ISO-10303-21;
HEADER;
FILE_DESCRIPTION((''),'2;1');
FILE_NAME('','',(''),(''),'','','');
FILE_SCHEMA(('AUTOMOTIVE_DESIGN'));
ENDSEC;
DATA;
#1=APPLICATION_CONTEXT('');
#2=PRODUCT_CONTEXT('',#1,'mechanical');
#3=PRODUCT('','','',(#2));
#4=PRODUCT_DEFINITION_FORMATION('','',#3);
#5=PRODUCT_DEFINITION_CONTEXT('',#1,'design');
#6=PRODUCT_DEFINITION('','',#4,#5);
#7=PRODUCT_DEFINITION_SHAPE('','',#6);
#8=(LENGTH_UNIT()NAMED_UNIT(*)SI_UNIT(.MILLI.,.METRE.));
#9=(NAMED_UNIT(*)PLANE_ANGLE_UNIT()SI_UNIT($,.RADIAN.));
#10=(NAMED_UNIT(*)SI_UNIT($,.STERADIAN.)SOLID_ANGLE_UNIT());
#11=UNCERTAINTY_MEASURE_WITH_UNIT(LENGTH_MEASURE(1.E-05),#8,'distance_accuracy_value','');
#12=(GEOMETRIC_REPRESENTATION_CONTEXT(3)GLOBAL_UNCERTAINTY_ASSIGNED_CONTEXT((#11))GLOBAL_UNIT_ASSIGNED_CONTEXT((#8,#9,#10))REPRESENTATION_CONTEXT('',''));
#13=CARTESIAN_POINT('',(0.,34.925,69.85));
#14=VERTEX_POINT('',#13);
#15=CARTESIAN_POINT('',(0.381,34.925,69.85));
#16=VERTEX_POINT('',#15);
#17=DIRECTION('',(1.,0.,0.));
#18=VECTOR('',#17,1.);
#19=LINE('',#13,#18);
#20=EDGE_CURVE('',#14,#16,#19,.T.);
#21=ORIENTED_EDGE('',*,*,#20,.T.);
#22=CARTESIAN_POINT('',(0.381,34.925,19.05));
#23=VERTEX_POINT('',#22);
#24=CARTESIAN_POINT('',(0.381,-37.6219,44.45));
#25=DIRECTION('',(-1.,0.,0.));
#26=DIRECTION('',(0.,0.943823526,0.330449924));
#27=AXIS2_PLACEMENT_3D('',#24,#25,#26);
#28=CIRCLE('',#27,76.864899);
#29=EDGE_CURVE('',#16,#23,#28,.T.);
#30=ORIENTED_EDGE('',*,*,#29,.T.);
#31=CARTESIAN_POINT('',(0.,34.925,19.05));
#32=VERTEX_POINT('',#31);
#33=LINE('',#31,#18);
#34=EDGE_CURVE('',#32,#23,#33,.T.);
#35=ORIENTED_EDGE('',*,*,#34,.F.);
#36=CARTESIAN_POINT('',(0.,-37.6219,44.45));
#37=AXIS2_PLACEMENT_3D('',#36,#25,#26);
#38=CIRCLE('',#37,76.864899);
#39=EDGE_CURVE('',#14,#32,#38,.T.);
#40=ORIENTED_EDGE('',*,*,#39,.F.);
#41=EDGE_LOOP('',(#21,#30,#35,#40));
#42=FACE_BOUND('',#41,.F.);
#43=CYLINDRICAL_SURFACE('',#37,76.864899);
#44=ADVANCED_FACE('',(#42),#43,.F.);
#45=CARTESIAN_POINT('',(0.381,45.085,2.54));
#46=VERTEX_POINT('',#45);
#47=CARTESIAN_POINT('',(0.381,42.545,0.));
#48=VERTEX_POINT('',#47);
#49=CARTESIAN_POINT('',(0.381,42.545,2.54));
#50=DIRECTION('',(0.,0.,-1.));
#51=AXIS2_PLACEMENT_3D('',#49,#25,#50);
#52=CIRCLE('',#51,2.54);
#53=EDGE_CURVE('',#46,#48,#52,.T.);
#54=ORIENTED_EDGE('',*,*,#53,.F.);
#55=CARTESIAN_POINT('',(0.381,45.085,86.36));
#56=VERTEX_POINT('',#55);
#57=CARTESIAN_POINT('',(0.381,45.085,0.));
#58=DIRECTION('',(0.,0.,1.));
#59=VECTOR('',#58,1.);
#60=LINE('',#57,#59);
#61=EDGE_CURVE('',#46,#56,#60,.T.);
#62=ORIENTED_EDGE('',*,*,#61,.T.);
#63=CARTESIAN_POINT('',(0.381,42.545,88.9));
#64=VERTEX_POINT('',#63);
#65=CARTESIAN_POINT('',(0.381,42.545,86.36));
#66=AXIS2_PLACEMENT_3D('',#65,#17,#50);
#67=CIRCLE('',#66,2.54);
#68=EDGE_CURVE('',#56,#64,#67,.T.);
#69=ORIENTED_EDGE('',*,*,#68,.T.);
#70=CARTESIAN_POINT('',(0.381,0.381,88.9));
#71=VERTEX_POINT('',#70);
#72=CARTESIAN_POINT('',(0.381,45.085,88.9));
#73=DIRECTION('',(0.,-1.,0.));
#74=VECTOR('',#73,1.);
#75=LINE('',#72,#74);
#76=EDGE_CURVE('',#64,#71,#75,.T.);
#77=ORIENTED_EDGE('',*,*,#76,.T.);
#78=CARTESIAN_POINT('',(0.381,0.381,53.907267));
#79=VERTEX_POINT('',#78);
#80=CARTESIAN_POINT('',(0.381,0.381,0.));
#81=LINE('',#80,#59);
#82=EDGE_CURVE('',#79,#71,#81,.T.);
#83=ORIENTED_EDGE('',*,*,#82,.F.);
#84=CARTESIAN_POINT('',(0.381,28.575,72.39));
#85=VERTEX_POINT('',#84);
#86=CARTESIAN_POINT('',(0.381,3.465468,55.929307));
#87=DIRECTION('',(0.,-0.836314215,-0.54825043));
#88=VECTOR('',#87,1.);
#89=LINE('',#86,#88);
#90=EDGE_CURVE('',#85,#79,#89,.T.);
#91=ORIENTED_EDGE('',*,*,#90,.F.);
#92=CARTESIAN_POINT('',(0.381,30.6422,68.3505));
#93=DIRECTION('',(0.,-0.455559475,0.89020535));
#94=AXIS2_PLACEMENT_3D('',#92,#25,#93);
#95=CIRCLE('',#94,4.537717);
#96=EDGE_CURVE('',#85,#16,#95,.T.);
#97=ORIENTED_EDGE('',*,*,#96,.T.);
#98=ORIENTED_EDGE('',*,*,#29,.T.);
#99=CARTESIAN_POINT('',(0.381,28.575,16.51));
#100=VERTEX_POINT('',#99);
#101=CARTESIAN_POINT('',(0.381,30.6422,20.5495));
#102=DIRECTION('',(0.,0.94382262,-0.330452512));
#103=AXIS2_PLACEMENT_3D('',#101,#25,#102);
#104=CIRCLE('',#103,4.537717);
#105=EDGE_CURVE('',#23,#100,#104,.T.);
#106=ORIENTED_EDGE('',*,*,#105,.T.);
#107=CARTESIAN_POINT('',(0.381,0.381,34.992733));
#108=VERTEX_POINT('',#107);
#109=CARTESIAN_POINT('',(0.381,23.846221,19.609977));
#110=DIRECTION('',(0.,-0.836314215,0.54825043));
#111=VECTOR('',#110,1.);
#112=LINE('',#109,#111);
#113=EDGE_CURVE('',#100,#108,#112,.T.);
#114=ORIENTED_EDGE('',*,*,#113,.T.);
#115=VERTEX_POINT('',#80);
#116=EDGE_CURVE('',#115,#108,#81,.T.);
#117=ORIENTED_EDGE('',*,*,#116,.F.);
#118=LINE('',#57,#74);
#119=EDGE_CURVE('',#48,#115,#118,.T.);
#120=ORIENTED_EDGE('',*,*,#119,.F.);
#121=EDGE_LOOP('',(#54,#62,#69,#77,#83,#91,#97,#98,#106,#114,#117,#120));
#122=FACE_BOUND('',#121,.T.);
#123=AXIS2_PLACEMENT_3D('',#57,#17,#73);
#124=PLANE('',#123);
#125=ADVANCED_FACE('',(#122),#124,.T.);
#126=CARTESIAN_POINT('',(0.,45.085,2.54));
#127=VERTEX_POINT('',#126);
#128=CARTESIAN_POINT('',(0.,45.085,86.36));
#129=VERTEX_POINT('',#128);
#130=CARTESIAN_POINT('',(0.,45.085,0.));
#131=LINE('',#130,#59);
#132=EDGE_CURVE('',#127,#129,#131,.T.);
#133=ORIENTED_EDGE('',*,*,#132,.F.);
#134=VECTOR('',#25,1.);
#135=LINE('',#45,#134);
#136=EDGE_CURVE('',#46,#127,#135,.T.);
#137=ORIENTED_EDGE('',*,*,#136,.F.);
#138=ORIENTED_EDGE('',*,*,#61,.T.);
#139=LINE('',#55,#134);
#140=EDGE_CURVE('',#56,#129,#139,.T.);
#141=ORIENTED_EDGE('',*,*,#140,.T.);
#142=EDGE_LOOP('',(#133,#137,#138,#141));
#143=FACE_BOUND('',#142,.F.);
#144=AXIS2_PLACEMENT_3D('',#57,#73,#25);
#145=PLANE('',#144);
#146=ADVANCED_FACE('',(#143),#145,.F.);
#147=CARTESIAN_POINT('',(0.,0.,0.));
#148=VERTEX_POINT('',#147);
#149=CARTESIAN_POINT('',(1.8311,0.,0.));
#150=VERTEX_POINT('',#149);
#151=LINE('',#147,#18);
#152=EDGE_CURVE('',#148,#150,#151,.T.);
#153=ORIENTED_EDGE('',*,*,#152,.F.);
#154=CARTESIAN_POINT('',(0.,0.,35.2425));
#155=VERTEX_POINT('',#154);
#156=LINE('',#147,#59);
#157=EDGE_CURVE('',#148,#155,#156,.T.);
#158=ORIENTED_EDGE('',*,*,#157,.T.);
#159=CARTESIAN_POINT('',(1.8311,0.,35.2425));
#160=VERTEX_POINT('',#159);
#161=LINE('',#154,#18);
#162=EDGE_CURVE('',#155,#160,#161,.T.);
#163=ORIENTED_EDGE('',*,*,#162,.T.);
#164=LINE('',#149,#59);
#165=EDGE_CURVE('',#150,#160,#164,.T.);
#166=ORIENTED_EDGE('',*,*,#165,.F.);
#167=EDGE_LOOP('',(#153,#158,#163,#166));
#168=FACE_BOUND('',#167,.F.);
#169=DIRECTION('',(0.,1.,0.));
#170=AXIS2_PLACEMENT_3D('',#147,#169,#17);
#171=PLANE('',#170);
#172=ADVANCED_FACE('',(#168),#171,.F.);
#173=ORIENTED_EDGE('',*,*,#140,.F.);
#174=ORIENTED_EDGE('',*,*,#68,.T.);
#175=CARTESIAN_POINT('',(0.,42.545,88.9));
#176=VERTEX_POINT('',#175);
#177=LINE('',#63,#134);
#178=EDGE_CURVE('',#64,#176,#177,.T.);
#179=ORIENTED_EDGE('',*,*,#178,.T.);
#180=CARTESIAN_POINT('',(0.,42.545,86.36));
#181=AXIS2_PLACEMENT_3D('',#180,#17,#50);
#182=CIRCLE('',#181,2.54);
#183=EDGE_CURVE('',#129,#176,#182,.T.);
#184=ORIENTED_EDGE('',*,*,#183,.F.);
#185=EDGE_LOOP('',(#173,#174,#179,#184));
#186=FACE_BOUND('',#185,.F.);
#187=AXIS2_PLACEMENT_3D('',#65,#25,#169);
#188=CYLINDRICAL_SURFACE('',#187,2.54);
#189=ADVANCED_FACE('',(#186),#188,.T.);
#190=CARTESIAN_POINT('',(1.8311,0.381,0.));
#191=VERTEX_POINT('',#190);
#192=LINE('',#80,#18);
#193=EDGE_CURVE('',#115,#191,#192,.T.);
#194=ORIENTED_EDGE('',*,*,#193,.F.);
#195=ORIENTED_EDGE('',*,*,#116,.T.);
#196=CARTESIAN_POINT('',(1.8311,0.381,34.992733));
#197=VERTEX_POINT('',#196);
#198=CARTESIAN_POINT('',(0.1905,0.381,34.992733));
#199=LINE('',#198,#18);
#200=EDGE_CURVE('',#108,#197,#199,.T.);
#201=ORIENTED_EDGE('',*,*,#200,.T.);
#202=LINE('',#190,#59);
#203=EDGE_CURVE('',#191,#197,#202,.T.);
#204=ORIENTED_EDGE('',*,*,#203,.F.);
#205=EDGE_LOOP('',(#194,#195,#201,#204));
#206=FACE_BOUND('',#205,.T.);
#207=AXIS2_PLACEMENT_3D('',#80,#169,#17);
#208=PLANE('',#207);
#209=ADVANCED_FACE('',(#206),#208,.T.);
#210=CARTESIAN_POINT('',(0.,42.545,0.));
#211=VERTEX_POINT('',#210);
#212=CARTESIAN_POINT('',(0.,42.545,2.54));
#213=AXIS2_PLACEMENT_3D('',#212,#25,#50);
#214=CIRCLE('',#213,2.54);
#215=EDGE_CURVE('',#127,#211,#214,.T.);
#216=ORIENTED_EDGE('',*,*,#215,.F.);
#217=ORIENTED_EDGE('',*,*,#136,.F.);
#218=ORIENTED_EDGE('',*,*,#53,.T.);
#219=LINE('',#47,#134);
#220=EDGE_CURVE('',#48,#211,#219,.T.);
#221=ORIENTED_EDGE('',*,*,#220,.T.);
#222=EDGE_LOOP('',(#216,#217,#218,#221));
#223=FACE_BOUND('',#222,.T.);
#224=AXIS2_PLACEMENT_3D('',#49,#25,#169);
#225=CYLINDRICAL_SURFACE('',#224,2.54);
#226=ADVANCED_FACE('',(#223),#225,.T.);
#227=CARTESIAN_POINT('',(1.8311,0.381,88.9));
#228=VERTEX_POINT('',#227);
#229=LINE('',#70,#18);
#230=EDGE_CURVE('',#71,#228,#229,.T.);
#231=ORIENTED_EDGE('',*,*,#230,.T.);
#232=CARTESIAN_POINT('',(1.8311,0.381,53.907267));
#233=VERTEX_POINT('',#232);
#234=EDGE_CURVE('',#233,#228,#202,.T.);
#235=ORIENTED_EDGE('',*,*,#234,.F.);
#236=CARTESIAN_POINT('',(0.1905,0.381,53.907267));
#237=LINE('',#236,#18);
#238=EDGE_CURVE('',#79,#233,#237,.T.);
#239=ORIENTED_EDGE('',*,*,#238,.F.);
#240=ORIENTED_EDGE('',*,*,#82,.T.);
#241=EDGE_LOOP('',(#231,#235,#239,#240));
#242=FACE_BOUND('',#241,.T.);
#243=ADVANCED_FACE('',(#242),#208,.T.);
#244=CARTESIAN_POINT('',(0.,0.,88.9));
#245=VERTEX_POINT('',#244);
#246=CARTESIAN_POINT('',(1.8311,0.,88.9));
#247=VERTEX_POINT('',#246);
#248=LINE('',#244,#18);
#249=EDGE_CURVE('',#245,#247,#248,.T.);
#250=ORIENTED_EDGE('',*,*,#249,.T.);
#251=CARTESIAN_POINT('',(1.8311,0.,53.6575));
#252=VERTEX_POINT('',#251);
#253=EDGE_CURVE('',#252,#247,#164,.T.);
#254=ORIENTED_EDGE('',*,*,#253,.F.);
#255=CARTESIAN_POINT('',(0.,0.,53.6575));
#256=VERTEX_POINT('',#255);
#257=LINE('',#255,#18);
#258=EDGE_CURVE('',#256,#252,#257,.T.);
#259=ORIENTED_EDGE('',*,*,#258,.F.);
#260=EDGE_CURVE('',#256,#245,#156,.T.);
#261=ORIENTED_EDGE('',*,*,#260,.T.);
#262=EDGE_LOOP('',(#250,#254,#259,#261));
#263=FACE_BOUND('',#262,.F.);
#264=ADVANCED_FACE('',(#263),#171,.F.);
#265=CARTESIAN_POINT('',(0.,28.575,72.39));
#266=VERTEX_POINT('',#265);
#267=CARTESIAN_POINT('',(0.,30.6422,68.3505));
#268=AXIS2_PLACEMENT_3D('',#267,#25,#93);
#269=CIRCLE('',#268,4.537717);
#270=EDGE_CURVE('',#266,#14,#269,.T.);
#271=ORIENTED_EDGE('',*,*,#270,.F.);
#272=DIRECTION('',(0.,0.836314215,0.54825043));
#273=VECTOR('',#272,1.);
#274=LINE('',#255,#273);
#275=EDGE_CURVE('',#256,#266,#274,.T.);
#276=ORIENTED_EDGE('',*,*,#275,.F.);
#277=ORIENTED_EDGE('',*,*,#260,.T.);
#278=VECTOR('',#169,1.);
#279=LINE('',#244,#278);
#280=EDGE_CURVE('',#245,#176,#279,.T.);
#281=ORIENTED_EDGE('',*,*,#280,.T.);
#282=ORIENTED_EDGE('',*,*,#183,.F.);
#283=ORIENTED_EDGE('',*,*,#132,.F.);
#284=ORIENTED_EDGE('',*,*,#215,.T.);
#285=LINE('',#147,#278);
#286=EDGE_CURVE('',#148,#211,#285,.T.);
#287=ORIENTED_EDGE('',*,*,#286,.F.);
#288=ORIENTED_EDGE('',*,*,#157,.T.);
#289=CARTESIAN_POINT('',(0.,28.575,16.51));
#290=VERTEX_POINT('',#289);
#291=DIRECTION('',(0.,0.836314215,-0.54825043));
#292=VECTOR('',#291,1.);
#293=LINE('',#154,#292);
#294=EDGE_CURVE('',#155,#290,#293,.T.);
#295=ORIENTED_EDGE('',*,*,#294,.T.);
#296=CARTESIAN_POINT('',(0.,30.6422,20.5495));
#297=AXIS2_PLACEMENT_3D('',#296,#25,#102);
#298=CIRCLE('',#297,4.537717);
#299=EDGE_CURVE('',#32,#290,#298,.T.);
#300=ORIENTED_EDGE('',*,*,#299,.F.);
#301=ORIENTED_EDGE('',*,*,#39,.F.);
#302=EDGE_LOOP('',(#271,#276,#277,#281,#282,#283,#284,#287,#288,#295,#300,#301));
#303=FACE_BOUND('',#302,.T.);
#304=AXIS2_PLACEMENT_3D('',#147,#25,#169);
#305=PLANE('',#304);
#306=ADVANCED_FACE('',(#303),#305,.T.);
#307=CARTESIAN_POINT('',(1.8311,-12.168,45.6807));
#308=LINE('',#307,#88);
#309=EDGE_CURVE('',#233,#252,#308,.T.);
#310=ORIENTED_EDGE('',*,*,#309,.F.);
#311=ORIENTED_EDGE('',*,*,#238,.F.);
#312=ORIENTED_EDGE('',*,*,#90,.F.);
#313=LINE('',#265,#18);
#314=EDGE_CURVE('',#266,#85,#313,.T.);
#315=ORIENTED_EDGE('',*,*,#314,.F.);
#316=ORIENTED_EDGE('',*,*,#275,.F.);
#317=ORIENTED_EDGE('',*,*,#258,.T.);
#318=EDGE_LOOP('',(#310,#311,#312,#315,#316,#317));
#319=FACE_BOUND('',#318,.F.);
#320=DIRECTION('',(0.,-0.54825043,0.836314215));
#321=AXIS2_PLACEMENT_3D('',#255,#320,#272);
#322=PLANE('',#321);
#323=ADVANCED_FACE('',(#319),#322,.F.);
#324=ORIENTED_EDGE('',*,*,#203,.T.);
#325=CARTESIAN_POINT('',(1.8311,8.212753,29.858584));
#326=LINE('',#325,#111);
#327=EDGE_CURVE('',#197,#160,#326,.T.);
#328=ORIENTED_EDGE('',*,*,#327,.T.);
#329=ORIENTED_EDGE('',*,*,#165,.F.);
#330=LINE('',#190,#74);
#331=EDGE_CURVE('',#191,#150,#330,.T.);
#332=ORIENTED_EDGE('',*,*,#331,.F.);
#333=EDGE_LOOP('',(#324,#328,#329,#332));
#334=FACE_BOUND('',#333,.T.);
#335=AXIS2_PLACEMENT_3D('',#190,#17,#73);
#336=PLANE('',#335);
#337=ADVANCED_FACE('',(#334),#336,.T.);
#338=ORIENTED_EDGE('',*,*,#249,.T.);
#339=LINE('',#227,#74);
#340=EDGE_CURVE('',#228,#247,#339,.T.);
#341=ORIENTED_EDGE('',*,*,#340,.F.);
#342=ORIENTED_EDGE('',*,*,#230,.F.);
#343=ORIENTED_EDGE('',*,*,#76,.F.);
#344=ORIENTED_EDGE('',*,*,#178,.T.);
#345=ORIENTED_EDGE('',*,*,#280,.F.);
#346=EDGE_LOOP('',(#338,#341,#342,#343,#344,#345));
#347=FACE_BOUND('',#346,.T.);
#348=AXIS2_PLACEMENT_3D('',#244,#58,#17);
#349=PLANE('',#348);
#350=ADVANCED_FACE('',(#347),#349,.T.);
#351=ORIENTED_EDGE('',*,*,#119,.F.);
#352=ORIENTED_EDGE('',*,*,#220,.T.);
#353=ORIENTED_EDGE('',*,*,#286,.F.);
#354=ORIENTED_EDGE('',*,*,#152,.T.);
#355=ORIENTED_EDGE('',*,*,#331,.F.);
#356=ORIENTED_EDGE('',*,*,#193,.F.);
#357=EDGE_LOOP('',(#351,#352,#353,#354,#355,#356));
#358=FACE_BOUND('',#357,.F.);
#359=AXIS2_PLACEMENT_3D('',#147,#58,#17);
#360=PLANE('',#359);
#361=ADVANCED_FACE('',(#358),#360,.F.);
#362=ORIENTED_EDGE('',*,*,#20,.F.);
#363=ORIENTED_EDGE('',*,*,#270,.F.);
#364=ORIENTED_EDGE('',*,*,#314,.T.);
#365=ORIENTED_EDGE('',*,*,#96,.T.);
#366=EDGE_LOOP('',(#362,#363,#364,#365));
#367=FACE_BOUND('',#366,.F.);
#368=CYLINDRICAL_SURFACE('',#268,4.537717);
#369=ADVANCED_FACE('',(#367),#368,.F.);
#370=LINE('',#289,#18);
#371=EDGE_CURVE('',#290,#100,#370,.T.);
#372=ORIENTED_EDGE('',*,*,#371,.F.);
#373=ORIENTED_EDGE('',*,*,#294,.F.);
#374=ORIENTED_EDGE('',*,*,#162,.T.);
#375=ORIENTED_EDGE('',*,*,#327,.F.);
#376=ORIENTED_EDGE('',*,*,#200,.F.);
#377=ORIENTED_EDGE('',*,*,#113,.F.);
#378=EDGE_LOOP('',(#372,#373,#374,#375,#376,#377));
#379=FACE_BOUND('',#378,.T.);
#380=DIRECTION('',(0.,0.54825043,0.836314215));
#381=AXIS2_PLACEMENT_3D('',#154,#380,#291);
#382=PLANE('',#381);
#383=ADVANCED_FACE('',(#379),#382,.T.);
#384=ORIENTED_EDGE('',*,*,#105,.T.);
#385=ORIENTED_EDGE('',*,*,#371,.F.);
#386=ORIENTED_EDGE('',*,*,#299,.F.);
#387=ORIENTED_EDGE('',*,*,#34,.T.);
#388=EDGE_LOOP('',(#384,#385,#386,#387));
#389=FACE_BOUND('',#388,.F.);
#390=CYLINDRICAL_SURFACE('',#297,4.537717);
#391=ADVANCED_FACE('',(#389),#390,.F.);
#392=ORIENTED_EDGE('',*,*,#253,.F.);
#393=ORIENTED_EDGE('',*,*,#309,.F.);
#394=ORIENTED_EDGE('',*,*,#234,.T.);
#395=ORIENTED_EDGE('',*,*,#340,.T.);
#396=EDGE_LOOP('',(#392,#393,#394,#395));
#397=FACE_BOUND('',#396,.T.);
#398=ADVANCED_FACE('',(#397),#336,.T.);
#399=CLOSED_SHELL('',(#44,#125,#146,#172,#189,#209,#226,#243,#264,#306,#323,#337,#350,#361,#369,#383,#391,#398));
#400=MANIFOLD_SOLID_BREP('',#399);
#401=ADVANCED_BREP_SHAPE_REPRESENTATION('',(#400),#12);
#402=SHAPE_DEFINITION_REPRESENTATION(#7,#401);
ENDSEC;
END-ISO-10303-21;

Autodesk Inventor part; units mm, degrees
ref_plane "YZ Plane" through (0, 0, 0) normal (1, 0, 0) x (0, 1, 0)
ref_plane "XZ Plane" through (0, 0, 0) normal (0, 1, 0) x (-1, 0, 0)
ref_plane "XY Plane" through (0, 0, 0) normal (0, 0, 1) x (1, 0, 0)
sketch "Sketch1" plane through (0, 0, 0) normal (0, 0, 1) x (1, 0, 0)
  line L0 (0, 0) -> (1.8311, 0)
  line L1 (0, 0) -> (0, 45.085)
  line L2 (0.381, 45.085) -> (0.381, 0.381)
  line L3 (0.381, 0.381) -> (1.8311, 0.381)
  line L4 (1.8311, 0.381) -> (1.8311, 0)
  line L5 (0.381, 45.085) -> (0, 45.085)
  dimension "d0" = 1.8311
  dimension "d1" = 45.085
  dimension "d2" = 0.381
extrude "Extrusion1" add sketch "Sketch1" along normal blind 88.9
fillet "Fillet1" radius 2.54 2 edges at (0.1905, 45.085, 88.9) (0.1905, 45.085, 0)
sketch "Sketch2" plane through (0, 0, 0) normal (-1, 0, 0) x (0, 0, 1)
  line L0 (0, 0) -> (88.9, 0) projected
  circle A0 centre (40.005, 0) radius 3.175
  circle A1 centre (48.895, 0) radius 3.2307
  dimension "d6" = 6.35
  dimension "d7" = 8.89
  dimension "d8" = 40.005
extrude "Extrusion2" cut sketch "Sketch2" against normal blind 88.9
sketch "Sketch3" plane through (0, 0, 0) normal (-1, 0, 0) x (0, 0, 1)
  circle A0 centre (20.32, 31.115) radius 3.4925
  circle A1 centre (68.58, 31.115) radius 3.4925
  line L0 (88.9, 42.545) -> (88.9, 0) projected
  line L1 (0, 42.545) -> (0, 0) projected
  line L2 (2.54, 45.085) -> (86.36, 45.085) projected
  dimension "d11" = 6.985
  dimension "d12" = 6.985
  dimension "d13" = 20.32
  dimension "d14" = 20.32
  dimension "d15" = 13.97
  dimension "d16" = 13.97
extrude "Extrusion3" cut sketch "Sketch3" against normal blind 88.9
sketch "Sketch4" plane through (0, 0, 0) normal (-1, 0, 0) x (0, 0, 1)
  line L0 (88.9, 42.545) -> (88.9, 0) projected
  line L1 (0, 42.545) -> (0, 0) projected
  line L2 (2.54, 45.085) -> (86.36, 45.085) projected
  line L3 (53.6575, 0) -> (72.39, 28.575)
  line L4 (35.2425, 0) -> (16.51, 28.575)
  arc A0 (69.85, 34.925) -> (19.05, 34.925) centre (44.45, -37.6219) ccw
  arc A1 (19.05, 34.925) -> (16.51, 28.575) centre (20.5495, 30.6422) ccw
  arc A2 (72.39, 28.575) -> (69.85, 34.925) centre (68.3505, 30.6422) ccw
  line L5 (35.2425, 0) -> (53.6575, 0)
  line L6 (52.1257, 0) -> (88.9, 0) projected
  point P0 (44.45, 39.243)
  dimension "d19" = 35.2425
  dimension "d20" = 35.2425
  dimension "d21" = 16.51
  dimension "d22" = 16.51
  dimension "d23" = 16.51
  dimension "d24" = 16.51
  dimension "d25" = 19.05
  dimension "d26" = 19.05
  dimension "d27" = 10.16
  dimension "d28" = 10.16
  dimension "d29" = 5.842
extrude "Extrusion4" cut sketch "Sketch4" against normal blind 25.4
properties part number "Fin_holed" material "Aluminum 6061"
